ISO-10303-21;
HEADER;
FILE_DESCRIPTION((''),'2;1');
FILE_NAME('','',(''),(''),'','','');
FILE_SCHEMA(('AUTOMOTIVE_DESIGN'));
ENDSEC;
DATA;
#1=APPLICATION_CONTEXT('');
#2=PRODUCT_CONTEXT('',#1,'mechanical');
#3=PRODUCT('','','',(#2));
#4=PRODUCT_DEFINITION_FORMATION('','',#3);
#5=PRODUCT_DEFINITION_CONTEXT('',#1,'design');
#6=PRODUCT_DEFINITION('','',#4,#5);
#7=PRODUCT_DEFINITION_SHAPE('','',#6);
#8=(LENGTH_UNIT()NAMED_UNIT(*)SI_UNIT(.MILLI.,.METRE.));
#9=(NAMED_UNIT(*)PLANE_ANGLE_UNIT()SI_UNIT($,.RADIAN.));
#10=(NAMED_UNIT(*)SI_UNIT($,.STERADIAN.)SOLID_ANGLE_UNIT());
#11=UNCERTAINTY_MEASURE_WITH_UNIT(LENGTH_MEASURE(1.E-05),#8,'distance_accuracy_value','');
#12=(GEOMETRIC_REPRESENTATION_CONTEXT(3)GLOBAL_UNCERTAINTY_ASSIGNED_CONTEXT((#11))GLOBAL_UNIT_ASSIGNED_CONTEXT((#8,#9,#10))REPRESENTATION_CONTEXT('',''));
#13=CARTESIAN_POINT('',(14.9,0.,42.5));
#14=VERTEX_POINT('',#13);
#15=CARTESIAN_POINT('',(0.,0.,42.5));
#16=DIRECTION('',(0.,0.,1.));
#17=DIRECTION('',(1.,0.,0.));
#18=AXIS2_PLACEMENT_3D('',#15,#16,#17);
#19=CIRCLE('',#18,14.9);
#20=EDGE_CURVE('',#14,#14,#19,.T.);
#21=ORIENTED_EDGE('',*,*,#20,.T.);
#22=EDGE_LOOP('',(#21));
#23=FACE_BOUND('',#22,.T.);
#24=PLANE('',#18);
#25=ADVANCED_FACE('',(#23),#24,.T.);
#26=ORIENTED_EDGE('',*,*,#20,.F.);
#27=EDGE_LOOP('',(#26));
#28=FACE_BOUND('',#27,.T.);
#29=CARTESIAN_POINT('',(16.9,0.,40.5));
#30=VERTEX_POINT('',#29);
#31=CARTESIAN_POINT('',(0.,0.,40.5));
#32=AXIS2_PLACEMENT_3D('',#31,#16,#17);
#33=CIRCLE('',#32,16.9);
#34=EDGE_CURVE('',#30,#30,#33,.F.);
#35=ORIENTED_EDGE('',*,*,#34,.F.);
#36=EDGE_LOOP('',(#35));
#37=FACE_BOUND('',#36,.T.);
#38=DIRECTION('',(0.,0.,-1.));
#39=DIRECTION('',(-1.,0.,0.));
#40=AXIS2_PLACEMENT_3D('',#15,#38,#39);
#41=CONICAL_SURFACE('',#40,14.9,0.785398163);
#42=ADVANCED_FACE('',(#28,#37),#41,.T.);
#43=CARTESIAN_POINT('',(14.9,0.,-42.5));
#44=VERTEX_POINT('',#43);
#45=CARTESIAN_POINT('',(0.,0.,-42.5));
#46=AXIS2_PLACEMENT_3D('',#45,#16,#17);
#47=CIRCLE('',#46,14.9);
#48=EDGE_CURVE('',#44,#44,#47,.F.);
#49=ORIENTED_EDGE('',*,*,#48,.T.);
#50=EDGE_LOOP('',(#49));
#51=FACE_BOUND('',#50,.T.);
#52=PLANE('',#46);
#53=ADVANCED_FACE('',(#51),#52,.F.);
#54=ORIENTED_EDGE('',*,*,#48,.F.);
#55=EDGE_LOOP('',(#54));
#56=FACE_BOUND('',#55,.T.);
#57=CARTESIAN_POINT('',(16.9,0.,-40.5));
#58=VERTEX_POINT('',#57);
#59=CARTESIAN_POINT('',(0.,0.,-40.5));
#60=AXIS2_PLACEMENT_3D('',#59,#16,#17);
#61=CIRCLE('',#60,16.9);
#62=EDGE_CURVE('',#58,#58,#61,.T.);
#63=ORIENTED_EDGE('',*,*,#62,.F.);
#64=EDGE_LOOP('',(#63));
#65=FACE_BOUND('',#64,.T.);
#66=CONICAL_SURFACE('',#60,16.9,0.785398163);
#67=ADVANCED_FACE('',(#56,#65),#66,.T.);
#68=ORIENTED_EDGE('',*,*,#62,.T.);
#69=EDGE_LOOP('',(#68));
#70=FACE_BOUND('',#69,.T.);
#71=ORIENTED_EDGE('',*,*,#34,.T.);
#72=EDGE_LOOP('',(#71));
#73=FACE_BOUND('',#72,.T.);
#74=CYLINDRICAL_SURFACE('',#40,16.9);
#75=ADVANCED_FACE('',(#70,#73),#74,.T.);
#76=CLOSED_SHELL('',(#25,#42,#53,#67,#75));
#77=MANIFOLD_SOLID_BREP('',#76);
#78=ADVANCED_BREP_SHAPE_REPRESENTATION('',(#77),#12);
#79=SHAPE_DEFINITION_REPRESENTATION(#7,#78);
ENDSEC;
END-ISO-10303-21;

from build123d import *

# Parameters (mm, degrees)
SKETCH1_R           = 16.9
BOSS_EXTRUDE1_DEPTH = 42.5
CHAMFER1_SIZE       = 2
CHAMFER2_SIZE       = 2


with BuildPart() as part:
    # Sketch1 → Boss-Extrude1 (new, symmetric)
    with BuildSketch(Plane.XY):
        Circle(SKETCH1_R)
    extrude(amount=BOSS_EXTRUDE1_DEPTH, both=True)

    # Chamfer1
    chamfer1_edges = [part.edges().sort_by_distance(p)[0] for p in [
        (-16.9, 0, 42.5),
    ]]
    chamfer(chamfer1_edges, length=CHAMFER1_SIZE)

    # Chamfer2
    chamfer2_edges = [part.edges().sort_by_distance(p)[0] for p in [
        (-16.9, 0, -42.5),
    ]]
    chamfer(chamfer2_edges, length=CHAMFER2_SIZE)


solid = part.part
